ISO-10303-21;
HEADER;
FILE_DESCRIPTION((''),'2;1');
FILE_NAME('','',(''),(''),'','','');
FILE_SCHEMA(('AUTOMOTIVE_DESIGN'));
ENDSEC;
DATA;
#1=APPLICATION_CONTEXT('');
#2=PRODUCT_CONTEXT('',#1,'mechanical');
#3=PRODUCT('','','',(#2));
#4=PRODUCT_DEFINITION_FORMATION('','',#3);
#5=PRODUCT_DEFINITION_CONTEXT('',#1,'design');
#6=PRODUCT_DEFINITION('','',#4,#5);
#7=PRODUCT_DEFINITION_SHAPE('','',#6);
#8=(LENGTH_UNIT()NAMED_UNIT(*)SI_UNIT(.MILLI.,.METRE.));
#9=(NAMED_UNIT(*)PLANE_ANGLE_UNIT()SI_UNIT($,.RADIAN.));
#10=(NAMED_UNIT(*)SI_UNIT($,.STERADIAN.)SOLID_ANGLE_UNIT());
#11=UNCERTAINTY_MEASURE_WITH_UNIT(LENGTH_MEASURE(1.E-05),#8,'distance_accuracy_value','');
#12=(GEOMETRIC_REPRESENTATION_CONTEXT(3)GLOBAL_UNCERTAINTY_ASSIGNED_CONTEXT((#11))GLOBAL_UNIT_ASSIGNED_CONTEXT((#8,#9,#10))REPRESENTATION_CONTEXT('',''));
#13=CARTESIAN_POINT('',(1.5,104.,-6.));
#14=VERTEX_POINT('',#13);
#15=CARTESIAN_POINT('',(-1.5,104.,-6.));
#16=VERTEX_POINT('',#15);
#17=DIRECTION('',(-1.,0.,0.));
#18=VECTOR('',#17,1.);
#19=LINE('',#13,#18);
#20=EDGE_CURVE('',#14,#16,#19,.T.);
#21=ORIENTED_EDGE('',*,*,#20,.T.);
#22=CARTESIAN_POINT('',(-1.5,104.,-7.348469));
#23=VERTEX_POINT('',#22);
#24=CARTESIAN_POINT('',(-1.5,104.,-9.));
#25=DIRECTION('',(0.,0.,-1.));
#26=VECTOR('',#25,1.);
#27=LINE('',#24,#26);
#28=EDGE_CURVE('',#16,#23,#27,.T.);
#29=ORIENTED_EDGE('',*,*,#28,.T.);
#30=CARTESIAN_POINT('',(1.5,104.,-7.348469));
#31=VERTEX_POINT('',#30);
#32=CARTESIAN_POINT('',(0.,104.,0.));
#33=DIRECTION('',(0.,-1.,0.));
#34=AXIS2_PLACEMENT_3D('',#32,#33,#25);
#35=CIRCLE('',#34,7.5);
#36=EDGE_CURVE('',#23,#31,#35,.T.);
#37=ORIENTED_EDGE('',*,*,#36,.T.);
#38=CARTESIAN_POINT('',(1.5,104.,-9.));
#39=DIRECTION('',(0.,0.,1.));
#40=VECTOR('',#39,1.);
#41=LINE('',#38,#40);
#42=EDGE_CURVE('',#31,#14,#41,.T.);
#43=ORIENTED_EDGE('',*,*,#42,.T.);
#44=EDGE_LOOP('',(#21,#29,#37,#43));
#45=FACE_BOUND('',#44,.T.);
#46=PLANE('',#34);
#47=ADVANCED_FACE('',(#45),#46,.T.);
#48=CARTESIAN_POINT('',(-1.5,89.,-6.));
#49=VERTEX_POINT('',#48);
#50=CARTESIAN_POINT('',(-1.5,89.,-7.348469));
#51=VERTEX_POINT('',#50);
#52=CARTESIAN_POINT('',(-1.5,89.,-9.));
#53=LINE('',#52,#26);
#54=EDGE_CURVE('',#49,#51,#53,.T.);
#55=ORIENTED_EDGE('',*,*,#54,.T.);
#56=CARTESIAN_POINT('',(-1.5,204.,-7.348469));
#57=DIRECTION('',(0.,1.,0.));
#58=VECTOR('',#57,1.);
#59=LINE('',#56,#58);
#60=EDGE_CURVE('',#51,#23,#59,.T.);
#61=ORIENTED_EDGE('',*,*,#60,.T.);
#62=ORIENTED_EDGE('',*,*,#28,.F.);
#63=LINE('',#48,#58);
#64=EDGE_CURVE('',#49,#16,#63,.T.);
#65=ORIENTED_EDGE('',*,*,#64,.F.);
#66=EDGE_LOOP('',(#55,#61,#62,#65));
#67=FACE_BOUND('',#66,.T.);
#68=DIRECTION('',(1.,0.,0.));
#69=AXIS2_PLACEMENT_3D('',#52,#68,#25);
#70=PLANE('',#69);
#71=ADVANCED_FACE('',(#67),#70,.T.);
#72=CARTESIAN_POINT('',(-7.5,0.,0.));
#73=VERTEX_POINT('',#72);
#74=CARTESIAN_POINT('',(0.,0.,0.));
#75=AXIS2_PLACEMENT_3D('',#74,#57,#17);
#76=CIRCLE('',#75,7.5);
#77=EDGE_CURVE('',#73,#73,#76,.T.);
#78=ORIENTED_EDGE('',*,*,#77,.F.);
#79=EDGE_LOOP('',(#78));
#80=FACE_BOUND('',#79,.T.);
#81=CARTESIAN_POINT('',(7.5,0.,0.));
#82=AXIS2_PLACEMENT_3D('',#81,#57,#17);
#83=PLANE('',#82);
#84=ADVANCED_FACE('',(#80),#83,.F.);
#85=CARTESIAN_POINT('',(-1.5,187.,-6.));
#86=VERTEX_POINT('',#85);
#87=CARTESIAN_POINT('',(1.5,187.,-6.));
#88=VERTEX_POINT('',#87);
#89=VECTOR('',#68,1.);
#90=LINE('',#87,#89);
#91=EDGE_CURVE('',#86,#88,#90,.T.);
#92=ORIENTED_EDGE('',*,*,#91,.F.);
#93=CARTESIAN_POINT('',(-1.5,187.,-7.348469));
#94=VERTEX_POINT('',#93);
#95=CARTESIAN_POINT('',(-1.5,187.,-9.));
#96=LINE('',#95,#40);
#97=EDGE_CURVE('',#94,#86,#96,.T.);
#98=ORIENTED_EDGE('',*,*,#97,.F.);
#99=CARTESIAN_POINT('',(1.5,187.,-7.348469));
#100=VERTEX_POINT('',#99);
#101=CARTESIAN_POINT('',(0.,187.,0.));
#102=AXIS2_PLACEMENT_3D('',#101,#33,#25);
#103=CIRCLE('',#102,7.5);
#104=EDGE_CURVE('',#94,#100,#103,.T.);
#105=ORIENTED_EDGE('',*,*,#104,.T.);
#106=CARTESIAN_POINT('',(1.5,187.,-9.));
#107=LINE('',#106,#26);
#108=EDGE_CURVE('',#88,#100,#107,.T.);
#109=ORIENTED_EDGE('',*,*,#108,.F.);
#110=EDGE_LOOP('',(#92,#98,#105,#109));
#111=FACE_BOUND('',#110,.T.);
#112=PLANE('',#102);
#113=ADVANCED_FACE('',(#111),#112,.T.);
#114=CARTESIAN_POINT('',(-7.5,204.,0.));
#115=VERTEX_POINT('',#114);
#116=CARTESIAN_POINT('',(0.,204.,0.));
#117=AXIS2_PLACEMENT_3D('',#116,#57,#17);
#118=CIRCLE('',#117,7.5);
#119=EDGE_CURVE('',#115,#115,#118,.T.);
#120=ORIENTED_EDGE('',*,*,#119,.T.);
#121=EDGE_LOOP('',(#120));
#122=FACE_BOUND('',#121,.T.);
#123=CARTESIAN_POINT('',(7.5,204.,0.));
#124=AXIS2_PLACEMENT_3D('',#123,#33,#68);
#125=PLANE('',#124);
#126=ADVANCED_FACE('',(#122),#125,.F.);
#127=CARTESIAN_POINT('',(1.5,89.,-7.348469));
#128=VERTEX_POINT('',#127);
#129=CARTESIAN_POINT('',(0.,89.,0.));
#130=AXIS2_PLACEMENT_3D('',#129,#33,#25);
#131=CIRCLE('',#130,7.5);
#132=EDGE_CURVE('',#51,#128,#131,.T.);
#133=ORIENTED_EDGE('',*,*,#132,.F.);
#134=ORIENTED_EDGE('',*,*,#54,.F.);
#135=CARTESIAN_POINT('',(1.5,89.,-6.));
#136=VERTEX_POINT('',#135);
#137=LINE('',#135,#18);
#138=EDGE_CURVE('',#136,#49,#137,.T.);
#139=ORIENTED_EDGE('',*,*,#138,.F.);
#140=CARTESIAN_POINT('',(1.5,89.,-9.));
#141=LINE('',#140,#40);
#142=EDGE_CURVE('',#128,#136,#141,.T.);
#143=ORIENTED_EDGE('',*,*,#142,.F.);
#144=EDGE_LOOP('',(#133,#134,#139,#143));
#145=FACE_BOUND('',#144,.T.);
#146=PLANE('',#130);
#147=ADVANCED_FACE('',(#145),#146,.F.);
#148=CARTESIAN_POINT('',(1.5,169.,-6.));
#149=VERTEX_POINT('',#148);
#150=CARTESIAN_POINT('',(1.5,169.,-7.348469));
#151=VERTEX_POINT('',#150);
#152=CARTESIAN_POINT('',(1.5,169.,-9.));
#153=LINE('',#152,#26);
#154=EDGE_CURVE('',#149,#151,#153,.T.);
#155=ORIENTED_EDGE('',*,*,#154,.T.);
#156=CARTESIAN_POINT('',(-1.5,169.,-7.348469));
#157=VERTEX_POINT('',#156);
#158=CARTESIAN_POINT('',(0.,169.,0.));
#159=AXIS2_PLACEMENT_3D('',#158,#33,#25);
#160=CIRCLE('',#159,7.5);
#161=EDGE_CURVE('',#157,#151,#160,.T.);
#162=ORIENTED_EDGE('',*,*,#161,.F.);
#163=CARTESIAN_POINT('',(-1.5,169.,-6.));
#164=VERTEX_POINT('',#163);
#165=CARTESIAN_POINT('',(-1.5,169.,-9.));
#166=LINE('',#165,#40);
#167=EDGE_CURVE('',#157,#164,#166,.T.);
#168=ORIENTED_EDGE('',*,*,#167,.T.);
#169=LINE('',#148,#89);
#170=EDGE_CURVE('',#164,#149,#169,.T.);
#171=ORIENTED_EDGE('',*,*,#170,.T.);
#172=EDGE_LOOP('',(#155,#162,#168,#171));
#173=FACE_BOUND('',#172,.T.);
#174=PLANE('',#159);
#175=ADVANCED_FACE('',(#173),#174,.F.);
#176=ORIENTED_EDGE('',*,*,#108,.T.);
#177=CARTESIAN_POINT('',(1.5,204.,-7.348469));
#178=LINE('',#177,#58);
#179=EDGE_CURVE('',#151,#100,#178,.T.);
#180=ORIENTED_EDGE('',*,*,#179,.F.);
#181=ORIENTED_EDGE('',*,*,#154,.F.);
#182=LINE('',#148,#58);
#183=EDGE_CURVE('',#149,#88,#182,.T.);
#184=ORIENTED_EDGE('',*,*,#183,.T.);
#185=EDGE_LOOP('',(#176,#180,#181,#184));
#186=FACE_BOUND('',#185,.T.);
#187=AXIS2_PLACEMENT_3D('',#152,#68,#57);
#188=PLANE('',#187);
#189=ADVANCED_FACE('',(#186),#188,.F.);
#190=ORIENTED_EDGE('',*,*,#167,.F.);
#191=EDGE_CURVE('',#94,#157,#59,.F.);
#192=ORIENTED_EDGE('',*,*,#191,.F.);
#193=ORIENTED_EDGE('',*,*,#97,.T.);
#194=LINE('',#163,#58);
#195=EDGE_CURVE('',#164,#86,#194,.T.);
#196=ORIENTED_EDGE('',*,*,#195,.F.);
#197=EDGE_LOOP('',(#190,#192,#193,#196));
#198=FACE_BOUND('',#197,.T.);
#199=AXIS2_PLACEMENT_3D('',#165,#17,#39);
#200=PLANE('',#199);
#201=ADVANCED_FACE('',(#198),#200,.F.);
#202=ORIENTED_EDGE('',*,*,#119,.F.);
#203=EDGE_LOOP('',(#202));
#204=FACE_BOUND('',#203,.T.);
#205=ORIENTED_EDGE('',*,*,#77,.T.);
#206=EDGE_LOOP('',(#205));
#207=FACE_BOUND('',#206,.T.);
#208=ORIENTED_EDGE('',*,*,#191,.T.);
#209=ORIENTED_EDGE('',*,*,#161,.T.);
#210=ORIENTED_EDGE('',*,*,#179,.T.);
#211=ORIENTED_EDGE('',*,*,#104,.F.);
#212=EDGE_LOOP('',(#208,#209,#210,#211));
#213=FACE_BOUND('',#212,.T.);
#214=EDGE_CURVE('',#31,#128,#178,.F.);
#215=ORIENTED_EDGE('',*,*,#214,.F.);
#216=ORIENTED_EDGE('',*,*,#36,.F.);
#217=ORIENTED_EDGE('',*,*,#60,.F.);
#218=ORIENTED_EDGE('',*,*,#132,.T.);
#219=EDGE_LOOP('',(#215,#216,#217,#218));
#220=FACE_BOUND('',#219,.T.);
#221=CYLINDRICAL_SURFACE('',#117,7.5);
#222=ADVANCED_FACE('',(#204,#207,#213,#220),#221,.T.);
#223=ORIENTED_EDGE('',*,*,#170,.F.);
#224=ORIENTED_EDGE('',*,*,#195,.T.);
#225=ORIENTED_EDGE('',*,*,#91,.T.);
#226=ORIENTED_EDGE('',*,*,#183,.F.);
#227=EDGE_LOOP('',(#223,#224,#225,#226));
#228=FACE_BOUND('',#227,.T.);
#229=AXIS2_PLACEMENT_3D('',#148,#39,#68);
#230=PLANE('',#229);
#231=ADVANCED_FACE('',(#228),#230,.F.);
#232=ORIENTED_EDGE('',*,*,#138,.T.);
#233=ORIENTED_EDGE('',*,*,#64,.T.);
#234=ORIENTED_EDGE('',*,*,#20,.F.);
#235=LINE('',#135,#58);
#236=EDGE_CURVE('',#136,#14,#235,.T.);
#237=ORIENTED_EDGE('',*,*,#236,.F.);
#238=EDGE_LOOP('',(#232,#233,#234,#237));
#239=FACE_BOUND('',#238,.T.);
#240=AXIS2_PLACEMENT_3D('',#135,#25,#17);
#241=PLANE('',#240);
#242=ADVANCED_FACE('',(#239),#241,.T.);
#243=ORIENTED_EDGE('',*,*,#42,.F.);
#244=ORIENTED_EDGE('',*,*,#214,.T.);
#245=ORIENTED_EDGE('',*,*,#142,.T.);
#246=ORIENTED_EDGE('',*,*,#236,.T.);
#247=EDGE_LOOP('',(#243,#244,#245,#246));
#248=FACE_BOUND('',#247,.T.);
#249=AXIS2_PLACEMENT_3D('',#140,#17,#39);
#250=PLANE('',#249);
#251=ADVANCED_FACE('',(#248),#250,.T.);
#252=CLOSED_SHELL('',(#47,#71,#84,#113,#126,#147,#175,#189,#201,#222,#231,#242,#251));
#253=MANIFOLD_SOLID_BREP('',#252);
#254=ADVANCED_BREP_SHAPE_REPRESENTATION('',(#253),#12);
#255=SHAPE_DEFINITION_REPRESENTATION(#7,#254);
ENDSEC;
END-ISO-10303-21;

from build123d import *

# Parameters (mm, degrees)
SKETCH1_W          = 7.5
SKETCH1_H          = 204
SKETCH2_W          = 3
SKETCH2_H          = 3
CUT_EXTRUDE1_DEPTH = 18
SKETCH3_W          = 3
SKETCH3_H          = 3
CUT_EXTRUDE2_DEPTH = 15


with BuildPart() as part:
    # Sketch1 → Revolve1 (revolve)
    with BuildSketch(Plane.XY, mode=Mode.PRIVATE) as revolve1_sk:
        with Locations((3.75, 102)):
            Rectangle(SKETCH1_W, SKETCH1_H)
    revolve(revolve1_sk.sketch.rotate(Axis((0, 204, 0), (0, -1, 0)), 180), axis=Axis((0, 204, 0), (0, -1, 0)))

    # Sketch2 → Cut-Extrude1 (cut)
    with BuildSketch(Plane(origin=(0, 187, 0), x_dir=(1, 0, 0), z_dir=(0, 1, 0))):
        with Locations((0, 7.5)):
            Rectangle(SKETCH2_W, SKETCH2_H)
    extrude(amount=-CUT_EXTRUDE1_DEPTH, mode=Mode.SUBTRACT)

    # Sketch3 → Cut-Extrude2 (cut)
    with BuildSketch(Plane(origin=(0, 104, 0), x_dir=(-1, 0, 0), z_dir=(0, -1, 0))):
        with Locations((0, 7.5)):
            Rectangle(SKETCH3_W, SKETCH3_H)
    extrude(amount=CUT_EXTRUDE2_DEPTH, mode=Mode.SUBTRACT)


solid = part.part
